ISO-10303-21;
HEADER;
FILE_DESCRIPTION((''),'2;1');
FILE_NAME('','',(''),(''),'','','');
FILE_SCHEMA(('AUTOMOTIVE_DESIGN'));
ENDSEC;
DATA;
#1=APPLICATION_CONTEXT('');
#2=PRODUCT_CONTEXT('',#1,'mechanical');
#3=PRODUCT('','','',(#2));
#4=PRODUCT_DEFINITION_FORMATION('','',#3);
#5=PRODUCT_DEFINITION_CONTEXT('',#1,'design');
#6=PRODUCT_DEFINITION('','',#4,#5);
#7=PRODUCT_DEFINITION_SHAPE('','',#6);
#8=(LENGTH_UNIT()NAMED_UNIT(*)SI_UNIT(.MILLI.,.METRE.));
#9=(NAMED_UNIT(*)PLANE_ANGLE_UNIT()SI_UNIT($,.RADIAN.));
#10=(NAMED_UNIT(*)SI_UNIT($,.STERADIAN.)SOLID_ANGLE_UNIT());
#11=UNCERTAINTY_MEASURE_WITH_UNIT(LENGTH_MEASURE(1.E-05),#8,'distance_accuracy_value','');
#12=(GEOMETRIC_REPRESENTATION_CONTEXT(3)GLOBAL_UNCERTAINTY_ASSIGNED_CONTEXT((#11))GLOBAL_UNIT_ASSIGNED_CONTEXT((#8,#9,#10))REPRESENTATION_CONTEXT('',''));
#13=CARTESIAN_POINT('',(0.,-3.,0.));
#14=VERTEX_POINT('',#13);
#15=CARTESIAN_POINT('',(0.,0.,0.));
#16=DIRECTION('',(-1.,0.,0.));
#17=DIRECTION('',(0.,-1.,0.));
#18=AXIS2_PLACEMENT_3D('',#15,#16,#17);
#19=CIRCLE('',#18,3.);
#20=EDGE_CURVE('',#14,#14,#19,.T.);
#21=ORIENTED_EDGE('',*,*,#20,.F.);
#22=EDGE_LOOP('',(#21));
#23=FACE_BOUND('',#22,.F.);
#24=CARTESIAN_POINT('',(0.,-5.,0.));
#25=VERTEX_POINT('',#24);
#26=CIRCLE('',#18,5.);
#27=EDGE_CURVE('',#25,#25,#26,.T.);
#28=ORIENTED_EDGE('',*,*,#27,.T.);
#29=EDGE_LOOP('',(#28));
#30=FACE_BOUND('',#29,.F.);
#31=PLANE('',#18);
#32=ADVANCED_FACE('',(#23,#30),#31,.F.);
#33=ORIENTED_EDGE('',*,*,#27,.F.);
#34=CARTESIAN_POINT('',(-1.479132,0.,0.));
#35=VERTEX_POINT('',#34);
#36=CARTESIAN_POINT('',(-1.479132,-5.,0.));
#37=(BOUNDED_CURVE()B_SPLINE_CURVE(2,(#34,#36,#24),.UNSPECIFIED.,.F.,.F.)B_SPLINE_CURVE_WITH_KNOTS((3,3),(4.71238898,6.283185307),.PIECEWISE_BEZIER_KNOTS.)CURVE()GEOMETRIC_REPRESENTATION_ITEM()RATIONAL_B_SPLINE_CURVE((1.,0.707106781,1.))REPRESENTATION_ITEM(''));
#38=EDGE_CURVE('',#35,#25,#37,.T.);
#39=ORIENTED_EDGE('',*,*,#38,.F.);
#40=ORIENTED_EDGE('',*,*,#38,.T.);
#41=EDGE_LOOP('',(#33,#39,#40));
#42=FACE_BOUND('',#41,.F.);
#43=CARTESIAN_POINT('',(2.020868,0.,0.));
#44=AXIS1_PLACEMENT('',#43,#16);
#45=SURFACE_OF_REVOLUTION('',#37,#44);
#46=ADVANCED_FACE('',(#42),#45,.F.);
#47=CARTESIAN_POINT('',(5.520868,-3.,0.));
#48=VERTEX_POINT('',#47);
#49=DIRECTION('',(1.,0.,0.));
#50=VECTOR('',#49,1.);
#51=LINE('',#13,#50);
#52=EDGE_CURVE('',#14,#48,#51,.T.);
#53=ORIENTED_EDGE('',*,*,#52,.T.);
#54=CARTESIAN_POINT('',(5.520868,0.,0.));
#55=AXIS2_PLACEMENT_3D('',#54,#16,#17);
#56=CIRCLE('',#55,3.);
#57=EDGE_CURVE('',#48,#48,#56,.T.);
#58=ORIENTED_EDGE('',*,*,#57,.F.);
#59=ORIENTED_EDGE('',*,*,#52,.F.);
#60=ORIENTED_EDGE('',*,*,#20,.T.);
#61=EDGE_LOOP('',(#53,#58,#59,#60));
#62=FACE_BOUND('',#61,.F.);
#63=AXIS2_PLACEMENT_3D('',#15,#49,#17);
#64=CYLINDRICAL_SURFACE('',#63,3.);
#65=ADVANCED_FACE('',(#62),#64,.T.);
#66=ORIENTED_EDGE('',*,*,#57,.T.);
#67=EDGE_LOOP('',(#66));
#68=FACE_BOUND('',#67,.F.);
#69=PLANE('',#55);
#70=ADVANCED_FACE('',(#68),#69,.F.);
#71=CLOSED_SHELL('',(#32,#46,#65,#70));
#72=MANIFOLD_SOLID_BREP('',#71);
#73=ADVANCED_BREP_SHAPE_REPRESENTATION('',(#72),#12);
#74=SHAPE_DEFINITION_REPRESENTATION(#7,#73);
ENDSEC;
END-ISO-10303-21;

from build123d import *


with BuildPart() as f1:
    # F0 (on Top) → F1 (revolve)
    with BuildSketch(Plane.XY):
        with BuildLine():
            Line((5.5208683647, -3), (5.5208683647, 0))
            Line((5.5208683647, 0), (-1.4791316353, 0))
            add(Edge.make_bspline(
                [(-1.4791316353, 0), (-1.4791316353, -5), (0, -5)],
                knots=[4.7123889804, 4.7123889804, 4.7123889804, 6.2831853072, 6.2831853072, 6.2831853072], degree=2, weights=[1, 0.7071067812, 1]))
            Line((0, -5), (0, -3))
            Line((0, -3), (5.5208683647, -3))
        make_face()
    revolve(axis=Axis((2.0208683647, 0, 0), (-1, 0, 0)))


solid = f1.part
